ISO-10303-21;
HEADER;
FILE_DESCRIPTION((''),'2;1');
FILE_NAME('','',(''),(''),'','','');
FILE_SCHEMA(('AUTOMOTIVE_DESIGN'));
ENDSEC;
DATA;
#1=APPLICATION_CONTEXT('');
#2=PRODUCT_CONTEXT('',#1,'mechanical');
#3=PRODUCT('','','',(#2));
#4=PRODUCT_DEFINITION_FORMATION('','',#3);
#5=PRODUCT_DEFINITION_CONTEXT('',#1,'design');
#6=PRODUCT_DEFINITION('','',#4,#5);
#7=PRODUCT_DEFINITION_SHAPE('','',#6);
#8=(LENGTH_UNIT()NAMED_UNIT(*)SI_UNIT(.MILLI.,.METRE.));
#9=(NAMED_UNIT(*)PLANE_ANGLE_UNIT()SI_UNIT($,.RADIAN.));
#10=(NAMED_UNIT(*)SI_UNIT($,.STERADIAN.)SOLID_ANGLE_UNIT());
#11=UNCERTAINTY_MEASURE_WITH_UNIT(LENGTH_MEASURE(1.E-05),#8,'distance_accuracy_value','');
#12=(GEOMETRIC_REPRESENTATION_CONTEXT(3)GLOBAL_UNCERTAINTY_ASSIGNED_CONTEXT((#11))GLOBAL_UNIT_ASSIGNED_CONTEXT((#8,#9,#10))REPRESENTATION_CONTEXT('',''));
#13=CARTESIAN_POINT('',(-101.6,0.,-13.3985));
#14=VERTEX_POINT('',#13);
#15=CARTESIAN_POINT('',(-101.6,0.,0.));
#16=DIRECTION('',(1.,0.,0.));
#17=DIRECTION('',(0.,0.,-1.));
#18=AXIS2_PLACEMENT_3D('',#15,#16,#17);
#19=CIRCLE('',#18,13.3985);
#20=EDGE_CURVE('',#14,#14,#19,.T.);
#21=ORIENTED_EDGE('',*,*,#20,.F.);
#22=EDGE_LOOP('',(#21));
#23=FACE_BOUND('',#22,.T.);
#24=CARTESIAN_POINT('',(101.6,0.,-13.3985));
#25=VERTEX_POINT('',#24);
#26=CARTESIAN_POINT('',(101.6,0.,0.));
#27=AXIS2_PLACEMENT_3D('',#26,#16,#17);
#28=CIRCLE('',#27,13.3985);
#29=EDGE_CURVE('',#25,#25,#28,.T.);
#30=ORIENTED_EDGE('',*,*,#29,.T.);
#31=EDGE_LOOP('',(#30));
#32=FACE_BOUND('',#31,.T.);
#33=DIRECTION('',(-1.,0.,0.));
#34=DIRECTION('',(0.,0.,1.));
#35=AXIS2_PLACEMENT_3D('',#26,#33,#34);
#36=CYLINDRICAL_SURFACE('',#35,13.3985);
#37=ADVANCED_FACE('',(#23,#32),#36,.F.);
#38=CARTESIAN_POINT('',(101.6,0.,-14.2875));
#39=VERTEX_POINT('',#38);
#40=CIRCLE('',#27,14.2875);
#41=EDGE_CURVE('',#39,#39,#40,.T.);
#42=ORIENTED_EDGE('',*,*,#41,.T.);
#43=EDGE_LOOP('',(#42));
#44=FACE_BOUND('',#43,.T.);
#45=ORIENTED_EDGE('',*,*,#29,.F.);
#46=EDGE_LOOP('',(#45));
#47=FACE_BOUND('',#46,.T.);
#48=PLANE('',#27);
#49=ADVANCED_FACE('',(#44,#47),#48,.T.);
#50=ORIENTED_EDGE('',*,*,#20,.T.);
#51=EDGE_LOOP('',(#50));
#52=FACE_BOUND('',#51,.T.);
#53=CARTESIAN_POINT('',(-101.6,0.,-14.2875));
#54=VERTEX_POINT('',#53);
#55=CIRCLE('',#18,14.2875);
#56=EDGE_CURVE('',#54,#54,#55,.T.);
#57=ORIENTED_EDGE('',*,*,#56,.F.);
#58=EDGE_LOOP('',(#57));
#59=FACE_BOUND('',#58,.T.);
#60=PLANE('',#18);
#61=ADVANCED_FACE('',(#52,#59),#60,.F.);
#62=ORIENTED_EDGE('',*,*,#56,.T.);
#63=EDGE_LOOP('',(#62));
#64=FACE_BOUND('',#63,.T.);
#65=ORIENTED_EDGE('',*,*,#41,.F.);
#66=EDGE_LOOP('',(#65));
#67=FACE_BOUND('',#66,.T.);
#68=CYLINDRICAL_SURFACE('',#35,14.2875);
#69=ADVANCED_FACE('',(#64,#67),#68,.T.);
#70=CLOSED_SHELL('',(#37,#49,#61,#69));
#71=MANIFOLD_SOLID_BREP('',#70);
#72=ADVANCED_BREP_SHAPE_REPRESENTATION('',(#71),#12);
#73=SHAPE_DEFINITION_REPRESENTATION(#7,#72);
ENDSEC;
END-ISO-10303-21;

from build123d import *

# Parameters (mm, degrees)
SKETCH1_R      = 14.2875
SKETCH1_R_2    = 13.3985
EXTRUDE1_DEPTH = 101.6


with BuildPart() as part:
    # Sketch1 → Extrude1 (new body, symmetric)
    with BuildSketch(Plane(origin=(0, 0, 0), x_dir=(0, 0, -1), z_dir=(1, 0, 0))):
        Circle(SKETCH1_R)
        Circle(SKETCH1_R_2, mode=Mode.SUBTRACT)
    extrude(amount=EXTRUDE1_DEPTH, both=True)


solid = part.part
